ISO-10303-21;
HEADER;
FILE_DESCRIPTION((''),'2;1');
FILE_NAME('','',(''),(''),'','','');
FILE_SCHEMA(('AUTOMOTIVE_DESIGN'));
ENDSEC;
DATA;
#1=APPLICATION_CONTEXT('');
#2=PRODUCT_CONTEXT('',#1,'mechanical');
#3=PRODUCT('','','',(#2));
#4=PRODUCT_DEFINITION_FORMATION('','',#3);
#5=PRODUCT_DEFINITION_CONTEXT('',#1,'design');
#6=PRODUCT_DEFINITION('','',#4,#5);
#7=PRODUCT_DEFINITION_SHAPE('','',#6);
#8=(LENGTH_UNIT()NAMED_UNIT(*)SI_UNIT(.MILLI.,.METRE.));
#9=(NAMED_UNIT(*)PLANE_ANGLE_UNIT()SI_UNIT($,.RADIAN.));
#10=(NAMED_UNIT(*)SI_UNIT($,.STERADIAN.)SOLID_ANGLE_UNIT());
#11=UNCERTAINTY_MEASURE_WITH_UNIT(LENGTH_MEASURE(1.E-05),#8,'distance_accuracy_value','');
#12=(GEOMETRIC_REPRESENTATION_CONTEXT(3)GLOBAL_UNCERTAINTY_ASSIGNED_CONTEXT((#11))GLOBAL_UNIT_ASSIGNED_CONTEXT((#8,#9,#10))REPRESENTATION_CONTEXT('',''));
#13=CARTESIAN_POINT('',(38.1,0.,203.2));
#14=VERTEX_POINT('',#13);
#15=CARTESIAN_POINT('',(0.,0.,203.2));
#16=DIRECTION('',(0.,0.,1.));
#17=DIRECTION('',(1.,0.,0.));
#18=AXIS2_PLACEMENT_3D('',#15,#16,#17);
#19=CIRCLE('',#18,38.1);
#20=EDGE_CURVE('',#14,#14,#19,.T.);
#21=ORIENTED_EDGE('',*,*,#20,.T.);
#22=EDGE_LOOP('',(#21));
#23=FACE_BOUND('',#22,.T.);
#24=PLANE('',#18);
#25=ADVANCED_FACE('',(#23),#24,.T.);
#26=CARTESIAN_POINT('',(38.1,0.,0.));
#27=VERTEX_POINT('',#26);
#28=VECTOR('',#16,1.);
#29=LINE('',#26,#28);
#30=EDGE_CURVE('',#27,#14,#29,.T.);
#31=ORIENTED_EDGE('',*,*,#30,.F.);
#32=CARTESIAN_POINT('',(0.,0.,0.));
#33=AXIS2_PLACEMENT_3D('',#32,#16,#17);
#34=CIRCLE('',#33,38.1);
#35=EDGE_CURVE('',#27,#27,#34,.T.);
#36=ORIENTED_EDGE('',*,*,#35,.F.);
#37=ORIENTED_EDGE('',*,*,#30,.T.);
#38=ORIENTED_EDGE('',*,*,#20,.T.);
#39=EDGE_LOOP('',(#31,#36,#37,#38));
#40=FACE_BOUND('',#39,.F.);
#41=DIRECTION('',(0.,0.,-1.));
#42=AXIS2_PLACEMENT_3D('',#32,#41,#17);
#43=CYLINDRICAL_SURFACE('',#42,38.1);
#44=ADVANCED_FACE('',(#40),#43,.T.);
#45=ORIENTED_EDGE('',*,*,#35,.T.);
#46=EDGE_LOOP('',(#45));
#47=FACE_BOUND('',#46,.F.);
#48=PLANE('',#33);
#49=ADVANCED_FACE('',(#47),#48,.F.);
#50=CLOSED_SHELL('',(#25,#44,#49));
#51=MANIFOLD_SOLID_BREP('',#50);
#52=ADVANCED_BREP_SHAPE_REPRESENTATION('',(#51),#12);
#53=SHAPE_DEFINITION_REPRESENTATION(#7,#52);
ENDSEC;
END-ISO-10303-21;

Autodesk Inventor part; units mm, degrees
ref_plane "YZ Plane" through (0, 0, 0) normal (1, 0, 0) x (0, 1, 0)
ref_plane "XZ Plane" through (0, 0, 0) normal (0, 1, 0) x (-1, 0, 0)
ref_plane "XY Plane" through (0, 0, 0) normal (0, 0, 1) x (1, 0, 0)
sketch "Sketch1" plane through (0, 0, 0) normal (0, 0, 1) x (1, 0, 0)
  circle A0 centre (0, 0) radius 38.1
  dimension "d0" = 76.2
extrude "Extrusion1" add sketch "Sketch1" along normal blind 203.2
properties part number "Roller"
